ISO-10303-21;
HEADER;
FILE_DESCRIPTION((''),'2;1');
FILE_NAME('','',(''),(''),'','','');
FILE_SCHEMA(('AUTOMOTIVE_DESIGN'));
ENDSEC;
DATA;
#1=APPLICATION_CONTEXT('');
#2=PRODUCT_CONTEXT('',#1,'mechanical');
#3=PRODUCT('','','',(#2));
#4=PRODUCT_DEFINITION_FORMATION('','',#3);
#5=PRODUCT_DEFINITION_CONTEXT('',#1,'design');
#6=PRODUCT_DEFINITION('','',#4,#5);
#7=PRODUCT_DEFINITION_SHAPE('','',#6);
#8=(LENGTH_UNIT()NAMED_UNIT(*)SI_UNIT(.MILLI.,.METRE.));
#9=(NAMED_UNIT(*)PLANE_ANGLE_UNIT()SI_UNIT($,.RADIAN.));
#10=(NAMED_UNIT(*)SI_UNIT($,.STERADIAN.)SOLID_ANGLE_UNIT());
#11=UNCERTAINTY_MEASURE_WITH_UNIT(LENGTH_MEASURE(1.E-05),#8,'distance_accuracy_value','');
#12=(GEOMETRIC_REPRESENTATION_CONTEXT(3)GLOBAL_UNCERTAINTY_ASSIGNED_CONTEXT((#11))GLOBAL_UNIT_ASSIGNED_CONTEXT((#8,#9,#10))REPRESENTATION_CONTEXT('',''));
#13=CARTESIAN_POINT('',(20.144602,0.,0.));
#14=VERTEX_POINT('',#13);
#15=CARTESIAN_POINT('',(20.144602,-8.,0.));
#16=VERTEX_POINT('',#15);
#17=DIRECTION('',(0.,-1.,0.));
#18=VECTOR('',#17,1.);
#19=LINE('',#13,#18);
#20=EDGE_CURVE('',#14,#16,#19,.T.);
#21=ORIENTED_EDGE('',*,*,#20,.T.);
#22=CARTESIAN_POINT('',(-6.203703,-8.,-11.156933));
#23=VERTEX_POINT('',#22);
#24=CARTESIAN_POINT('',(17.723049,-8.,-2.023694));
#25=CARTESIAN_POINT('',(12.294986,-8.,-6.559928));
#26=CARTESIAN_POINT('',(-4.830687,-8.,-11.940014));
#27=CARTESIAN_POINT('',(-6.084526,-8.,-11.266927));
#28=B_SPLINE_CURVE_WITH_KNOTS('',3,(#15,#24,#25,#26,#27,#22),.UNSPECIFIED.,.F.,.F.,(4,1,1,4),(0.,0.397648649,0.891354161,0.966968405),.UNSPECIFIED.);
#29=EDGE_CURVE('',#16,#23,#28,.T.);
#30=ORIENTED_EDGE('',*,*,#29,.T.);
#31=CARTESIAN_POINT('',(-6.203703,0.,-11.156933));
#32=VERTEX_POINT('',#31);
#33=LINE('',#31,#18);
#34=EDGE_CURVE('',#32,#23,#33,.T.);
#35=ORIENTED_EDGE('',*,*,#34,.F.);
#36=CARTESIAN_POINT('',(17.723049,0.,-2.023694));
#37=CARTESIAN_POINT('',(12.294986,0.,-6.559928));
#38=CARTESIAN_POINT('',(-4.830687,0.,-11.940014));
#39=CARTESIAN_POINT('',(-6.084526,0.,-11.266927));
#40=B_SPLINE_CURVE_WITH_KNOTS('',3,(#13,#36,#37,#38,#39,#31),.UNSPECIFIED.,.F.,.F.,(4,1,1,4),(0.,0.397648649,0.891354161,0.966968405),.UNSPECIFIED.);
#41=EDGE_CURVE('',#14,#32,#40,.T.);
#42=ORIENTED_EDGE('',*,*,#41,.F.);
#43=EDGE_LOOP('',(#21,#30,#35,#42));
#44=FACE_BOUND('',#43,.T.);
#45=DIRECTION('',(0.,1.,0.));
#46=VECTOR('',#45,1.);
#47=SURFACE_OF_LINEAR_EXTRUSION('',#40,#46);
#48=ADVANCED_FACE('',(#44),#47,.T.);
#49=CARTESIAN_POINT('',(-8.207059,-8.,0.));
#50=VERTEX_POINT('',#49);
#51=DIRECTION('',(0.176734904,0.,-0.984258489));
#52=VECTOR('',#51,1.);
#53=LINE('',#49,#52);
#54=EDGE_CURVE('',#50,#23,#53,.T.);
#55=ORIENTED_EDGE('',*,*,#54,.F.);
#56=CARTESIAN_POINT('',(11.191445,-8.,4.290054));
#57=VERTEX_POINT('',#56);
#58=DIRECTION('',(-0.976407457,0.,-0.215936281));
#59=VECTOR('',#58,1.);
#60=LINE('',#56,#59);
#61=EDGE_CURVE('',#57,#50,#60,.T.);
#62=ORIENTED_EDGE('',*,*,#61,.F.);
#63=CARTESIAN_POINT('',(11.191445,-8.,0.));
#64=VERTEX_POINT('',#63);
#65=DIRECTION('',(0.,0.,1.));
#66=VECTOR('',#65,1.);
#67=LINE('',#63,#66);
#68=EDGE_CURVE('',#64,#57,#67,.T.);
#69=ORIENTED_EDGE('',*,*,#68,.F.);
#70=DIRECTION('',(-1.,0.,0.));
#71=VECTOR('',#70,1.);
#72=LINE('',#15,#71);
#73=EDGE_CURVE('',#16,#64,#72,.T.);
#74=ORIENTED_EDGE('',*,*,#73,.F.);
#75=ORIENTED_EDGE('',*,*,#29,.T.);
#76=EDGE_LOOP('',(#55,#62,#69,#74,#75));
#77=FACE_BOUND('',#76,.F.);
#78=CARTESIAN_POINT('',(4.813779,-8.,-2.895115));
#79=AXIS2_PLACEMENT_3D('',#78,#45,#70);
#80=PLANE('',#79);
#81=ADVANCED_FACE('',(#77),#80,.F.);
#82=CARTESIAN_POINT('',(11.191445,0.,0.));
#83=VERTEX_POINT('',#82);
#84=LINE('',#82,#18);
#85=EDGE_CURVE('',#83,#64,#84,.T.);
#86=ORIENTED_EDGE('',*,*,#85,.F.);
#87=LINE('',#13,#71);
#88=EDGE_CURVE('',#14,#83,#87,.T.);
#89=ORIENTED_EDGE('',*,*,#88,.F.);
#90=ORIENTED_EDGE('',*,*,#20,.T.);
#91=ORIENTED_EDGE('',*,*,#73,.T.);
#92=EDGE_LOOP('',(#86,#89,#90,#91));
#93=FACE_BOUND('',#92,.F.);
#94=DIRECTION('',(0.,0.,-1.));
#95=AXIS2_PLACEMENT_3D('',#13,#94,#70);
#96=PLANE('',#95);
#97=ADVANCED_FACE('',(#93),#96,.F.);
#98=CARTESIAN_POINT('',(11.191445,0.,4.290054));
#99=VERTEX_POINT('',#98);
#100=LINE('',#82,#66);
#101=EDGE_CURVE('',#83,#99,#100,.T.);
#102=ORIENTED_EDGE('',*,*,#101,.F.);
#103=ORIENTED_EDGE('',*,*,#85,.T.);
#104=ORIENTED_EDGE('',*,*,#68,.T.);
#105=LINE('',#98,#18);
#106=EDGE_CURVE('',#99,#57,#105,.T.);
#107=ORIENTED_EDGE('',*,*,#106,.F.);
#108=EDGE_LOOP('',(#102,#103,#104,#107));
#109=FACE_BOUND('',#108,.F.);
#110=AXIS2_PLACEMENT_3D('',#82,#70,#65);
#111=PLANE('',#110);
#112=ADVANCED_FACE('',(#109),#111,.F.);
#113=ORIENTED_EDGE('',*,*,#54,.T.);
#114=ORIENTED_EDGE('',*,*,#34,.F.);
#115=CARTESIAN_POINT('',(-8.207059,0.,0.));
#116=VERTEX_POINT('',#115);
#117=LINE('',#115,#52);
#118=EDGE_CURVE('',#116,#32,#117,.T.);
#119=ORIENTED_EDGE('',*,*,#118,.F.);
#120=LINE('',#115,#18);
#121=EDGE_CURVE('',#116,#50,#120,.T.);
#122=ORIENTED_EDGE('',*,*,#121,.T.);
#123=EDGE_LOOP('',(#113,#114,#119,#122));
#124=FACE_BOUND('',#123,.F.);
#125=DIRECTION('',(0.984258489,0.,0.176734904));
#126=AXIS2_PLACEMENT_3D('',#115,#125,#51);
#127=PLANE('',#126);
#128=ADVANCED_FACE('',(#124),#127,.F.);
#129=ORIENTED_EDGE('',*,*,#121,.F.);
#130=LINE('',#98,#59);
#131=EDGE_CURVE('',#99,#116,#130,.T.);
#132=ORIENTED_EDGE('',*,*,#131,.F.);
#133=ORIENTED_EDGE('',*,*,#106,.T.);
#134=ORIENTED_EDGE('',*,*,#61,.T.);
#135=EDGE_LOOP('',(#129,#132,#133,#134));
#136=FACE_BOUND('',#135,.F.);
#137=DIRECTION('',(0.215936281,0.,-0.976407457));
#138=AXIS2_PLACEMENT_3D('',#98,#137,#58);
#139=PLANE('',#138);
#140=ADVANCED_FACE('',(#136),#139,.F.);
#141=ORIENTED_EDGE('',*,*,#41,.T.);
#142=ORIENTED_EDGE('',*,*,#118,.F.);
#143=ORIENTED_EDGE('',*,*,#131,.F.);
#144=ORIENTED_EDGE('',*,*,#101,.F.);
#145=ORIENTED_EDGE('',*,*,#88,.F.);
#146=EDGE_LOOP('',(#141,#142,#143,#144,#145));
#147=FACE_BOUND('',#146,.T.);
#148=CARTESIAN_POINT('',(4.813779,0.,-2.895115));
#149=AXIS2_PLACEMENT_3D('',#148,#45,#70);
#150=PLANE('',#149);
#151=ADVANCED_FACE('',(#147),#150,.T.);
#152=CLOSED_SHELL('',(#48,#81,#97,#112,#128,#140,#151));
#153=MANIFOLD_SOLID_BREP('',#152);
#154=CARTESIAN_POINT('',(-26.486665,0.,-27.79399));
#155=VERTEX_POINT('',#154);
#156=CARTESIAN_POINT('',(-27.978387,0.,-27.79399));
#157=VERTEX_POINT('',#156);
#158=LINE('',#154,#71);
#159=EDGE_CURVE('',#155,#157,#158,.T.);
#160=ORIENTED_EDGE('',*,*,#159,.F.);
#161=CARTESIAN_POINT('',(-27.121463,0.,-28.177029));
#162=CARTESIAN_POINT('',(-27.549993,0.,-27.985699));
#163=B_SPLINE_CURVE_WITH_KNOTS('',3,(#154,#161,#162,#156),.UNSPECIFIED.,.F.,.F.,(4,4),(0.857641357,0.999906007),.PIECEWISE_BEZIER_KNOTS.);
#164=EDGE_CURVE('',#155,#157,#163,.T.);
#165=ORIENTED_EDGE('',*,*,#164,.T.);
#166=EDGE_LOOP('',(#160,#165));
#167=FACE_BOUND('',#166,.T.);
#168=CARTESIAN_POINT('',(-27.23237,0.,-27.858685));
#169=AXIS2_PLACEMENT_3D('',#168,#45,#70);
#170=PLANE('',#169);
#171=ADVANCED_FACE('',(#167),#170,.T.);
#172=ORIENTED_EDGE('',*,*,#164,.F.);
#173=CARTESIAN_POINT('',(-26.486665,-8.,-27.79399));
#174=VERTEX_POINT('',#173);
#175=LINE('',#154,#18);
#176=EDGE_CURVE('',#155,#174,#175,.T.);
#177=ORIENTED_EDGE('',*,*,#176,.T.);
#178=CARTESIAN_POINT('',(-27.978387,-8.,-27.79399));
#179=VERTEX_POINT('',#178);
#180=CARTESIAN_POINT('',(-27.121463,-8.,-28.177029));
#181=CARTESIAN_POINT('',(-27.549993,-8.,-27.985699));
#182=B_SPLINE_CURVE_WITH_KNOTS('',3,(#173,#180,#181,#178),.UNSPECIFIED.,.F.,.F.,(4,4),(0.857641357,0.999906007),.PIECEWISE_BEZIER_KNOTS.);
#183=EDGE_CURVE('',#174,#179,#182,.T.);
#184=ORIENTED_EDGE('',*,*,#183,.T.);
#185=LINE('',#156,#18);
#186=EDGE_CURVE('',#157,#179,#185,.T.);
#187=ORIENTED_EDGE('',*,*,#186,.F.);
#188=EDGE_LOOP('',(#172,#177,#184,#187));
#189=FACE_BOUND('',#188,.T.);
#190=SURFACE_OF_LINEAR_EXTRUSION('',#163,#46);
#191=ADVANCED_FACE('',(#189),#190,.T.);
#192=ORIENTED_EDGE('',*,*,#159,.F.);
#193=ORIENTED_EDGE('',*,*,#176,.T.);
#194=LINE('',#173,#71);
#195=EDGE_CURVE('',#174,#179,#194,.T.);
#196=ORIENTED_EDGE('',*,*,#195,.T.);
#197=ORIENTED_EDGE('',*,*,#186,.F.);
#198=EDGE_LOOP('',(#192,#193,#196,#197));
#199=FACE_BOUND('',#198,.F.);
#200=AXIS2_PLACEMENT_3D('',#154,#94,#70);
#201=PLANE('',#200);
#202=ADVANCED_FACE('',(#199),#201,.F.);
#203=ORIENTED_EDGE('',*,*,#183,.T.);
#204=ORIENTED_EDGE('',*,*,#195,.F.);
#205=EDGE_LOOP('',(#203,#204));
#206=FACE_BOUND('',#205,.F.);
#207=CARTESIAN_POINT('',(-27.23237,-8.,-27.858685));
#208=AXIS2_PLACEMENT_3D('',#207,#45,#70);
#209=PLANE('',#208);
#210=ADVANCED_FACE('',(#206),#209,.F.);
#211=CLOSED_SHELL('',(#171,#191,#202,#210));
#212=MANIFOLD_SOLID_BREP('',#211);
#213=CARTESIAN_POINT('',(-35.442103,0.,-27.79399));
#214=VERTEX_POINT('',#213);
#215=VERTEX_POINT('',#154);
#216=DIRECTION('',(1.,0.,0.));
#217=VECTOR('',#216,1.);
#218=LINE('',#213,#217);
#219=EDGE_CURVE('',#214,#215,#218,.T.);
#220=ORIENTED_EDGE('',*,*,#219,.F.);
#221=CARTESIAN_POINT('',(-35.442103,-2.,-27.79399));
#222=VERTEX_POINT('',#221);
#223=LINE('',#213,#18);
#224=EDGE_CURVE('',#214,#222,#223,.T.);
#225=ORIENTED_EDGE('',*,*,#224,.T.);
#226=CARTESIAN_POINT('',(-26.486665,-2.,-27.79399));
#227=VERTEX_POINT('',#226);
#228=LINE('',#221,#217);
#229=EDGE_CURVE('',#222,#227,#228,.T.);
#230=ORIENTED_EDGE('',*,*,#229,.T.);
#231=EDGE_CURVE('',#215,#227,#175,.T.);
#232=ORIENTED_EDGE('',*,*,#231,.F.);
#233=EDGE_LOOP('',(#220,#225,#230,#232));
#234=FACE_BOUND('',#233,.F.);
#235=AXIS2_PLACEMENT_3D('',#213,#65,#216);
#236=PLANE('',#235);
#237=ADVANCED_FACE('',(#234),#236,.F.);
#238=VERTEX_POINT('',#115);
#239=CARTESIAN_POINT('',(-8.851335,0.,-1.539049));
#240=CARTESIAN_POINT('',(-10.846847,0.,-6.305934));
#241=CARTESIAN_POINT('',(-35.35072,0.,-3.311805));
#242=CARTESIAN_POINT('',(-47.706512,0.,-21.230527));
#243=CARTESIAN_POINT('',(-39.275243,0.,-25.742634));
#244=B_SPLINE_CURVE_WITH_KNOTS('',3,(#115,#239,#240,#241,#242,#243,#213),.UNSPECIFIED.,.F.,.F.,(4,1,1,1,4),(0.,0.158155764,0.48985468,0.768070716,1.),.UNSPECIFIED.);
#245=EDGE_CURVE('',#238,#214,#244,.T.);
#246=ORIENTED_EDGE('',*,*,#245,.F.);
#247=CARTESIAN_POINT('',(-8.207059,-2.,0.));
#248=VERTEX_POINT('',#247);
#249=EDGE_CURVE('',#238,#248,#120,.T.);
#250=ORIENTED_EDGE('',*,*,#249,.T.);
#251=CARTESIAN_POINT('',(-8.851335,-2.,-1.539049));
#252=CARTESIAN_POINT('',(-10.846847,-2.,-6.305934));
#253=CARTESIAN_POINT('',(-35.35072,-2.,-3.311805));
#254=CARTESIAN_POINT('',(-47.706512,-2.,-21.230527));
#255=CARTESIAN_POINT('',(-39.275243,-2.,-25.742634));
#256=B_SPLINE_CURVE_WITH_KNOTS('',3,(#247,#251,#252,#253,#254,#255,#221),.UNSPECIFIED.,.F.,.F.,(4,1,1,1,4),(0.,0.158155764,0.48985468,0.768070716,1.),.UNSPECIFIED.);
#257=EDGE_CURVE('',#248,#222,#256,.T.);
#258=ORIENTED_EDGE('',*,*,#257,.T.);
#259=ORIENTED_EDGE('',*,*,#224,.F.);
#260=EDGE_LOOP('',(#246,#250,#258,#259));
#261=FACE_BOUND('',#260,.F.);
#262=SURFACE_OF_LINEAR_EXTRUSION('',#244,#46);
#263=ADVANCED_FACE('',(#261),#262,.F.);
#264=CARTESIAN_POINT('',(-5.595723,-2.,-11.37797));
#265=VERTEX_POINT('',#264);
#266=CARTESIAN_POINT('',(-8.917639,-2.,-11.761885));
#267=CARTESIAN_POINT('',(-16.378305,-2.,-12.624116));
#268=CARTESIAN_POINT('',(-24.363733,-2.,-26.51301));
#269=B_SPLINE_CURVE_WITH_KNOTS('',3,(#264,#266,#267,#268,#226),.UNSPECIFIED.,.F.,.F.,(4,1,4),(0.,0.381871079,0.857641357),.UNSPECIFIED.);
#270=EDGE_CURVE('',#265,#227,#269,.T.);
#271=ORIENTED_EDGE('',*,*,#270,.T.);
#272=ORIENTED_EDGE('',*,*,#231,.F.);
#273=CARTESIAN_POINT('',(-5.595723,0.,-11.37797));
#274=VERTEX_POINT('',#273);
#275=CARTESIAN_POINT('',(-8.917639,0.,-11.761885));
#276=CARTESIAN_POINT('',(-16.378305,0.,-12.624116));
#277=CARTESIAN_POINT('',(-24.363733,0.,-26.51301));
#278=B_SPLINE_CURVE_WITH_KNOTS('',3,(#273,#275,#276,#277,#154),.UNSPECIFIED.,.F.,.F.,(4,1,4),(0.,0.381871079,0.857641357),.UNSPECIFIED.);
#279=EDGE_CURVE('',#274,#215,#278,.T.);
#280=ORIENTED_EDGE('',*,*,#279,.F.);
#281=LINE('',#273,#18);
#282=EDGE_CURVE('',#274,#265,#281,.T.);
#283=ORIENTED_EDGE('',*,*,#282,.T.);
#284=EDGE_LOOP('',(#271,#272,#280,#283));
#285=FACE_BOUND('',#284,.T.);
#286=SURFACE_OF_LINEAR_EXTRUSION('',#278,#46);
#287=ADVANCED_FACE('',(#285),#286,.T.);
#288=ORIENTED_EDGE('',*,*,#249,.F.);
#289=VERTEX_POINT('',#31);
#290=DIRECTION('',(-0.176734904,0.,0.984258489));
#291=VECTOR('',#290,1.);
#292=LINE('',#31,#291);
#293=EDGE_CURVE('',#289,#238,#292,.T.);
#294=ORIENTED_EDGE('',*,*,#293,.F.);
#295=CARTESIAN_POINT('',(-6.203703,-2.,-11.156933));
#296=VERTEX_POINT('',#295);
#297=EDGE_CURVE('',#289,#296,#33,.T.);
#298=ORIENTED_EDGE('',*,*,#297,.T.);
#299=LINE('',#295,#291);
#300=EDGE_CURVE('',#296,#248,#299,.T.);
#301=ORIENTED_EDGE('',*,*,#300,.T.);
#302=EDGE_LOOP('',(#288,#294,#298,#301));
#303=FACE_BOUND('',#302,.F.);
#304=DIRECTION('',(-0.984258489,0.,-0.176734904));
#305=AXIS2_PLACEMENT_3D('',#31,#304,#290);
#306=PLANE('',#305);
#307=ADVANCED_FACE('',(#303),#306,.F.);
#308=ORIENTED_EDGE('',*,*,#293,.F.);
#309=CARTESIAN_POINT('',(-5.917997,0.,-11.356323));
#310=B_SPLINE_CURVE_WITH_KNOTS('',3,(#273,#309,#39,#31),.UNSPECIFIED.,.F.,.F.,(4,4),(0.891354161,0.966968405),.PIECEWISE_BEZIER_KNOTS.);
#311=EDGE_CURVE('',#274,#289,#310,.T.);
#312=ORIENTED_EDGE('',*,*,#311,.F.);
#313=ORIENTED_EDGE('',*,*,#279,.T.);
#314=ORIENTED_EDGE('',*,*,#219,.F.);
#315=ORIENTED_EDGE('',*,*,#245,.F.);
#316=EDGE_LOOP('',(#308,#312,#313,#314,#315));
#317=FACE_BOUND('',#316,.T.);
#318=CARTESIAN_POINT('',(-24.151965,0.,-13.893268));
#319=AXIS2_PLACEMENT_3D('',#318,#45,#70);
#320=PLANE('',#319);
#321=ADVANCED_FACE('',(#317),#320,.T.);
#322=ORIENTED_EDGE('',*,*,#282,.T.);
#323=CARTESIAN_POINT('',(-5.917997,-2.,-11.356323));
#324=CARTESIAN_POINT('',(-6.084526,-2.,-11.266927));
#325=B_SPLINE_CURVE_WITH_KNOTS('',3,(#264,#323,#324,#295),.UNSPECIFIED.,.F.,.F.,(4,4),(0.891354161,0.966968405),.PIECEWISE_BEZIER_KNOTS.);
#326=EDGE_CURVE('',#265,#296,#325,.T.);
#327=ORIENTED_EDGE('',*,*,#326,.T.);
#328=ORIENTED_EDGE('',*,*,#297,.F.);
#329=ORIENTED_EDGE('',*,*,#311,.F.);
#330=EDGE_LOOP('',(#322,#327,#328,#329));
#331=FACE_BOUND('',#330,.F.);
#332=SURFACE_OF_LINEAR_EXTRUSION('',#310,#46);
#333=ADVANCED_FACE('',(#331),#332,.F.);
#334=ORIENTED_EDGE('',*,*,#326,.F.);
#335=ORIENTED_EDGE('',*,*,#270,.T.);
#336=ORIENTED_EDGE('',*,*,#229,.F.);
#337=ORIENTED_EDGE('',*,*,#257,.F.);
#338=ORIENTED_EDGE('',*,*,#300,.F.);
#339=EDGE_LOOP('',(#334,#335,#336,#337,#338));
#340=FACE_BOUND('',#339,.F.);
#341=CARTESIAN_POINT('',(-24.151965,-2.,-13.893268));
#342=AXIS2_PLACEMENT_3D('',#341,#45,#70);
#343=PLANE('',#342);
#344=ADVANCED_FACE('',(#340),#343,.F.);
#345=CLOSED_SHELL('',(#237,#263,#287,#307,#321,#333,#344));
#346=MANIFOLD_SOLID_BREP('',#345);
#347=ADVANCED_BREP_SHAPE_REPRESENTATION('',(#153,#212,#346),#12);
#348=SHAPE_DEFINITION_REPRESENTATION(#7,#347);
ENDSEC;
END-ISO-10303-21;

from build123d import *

# Parameters (mm, degrees)
F1_DEPTH = 8
F2_DEPTH = 2


with BuildPart() as f1:
    # F0 (on Front) → F1 (new body)
    with BuildSketch(Plane.XZ):
        with BuildLine():
            add(Edge.make_bspline(
                [(20.1446022838, 0), (17.7230486212, -2.0236935066), (12.2949855821, -6.5599282783), (-3.4915069167, -11.519306356), (-5.5957227014, -11.3779697567)],
                knots=[0, 0, 0, 0, 0.3976486487, 0.8913541607, 0.8913541607, 0.8913541607, 0.8913541607], degree=3))
            Line((20.1446022838, 0), (11.1914454028, 0))
            Line((11.1914454028, 0), (11.1914454028, 4.2900540866))
            Line((11.1914454028, 4.2900540866), (-8.207058534, 0))
            Line((-8.207058534, 0), (-6.2037032095, -11.1569330223))
            add(Edge.make_bspline(
                [(-5.5957227014, -11.3779697567), (-5.9179971815, -11.3563231274), (-6.0845258891, -11.2669270129), (-6.2037032095, -11.1569330223)],
                knots=[0.8913541607, 0.8913541607, 0.8913541607, 0.8913541607, 0.9669684054, 0.9669684054, 0.9669684054, 0.9669684054], degree=3))
        make_face()
    extrude(amount=F1_DEPTH)


with BuildPart() as f1b:
    # F0 (on Front) → F1, piece 2 (new body)
    with BuildSketch(Plane.XZ):
        with BuildLine():
            add(Edge.make_bspline(
                [(-26.4866650105, -27.7939904481), (-27.1214634238, -28.17702879), (-27.5499933026, -27.9856992329), (-27.9783869921, -27.7939904481)],
                knots=[0.8576413569, 0.8576413569, 0.8576413569, 0.8576413569, 0.9999060074, 0.9999060074, 0.9999060074, 0.9999060074], degree=3))
            Line((-26.4866650105, -27.7939904481), (-27.9783869921, -27.7939904481))
        make_face()
    extrude(amount=F1_DEPTH)


with BuildPart() as f2:
    # F0 (on Front) → F2 (new body)
    with BuildSketch(Plane.XZ):
        with BuildLine():
            add(Edge.make_bspline(
                [(-5.5957227014, -11.3779697567), (-8.9176387041, -11.761884659), (-16.3783046364, -12.6241162234), (-24.3637327392, -26.5130098407), (-26.4866650105, -27.7939904481)],
                knots=[0, 0, 0, 0, 0.3818710788, 0.8576413569, 0.8576413569, 0.8576413569, 0.8576413569], degree=3))
            add(Edge.make_bspline(
                [(-5.5957227014, -11.3779697567), (-5.9179971815, -11.3563231274), (-6.0845258891, -11.2669270129), (-6.2037032095, -11.1569330223)],
                knots=[0.8913541607, 0.8913541607, 0.8913541607, 0.8913541607, 0.9669684054, 0.9669684054, 0.9669684054, 0.9669684054], degree=3))
            Line((-6.2037032095, -11.1569330223), (-8.207058534, 0))
            add(Edge.make_bspline(
                [(-8.207058534, 0), (-8.8513348213, -1.5390488522), (-10.8468470095, -6.3059335005), (-35.3507202157, -3.3118054886), (-47.7065122281, -21.2305266581), (-39.2752425285, -25.74263409), (-35.4421027005, -27.7939904481)],
                knots=[0, 0, 0, 0, 0.1581557639, 0.48985468, 0.768070716, 1, 1, 1, 1], degree=3))
            Line((-35.4421027005, -27.7939904481), (-27.9783869921, -27.7939904481))
            Line((-27.9783869921, -27.7939904481), (-26.4866650105, -27.7939904481))
        make_face()
    extrude(amount=F2_DEPTH)


solid = Compound([f1.part, f1b.part, f2.part])
